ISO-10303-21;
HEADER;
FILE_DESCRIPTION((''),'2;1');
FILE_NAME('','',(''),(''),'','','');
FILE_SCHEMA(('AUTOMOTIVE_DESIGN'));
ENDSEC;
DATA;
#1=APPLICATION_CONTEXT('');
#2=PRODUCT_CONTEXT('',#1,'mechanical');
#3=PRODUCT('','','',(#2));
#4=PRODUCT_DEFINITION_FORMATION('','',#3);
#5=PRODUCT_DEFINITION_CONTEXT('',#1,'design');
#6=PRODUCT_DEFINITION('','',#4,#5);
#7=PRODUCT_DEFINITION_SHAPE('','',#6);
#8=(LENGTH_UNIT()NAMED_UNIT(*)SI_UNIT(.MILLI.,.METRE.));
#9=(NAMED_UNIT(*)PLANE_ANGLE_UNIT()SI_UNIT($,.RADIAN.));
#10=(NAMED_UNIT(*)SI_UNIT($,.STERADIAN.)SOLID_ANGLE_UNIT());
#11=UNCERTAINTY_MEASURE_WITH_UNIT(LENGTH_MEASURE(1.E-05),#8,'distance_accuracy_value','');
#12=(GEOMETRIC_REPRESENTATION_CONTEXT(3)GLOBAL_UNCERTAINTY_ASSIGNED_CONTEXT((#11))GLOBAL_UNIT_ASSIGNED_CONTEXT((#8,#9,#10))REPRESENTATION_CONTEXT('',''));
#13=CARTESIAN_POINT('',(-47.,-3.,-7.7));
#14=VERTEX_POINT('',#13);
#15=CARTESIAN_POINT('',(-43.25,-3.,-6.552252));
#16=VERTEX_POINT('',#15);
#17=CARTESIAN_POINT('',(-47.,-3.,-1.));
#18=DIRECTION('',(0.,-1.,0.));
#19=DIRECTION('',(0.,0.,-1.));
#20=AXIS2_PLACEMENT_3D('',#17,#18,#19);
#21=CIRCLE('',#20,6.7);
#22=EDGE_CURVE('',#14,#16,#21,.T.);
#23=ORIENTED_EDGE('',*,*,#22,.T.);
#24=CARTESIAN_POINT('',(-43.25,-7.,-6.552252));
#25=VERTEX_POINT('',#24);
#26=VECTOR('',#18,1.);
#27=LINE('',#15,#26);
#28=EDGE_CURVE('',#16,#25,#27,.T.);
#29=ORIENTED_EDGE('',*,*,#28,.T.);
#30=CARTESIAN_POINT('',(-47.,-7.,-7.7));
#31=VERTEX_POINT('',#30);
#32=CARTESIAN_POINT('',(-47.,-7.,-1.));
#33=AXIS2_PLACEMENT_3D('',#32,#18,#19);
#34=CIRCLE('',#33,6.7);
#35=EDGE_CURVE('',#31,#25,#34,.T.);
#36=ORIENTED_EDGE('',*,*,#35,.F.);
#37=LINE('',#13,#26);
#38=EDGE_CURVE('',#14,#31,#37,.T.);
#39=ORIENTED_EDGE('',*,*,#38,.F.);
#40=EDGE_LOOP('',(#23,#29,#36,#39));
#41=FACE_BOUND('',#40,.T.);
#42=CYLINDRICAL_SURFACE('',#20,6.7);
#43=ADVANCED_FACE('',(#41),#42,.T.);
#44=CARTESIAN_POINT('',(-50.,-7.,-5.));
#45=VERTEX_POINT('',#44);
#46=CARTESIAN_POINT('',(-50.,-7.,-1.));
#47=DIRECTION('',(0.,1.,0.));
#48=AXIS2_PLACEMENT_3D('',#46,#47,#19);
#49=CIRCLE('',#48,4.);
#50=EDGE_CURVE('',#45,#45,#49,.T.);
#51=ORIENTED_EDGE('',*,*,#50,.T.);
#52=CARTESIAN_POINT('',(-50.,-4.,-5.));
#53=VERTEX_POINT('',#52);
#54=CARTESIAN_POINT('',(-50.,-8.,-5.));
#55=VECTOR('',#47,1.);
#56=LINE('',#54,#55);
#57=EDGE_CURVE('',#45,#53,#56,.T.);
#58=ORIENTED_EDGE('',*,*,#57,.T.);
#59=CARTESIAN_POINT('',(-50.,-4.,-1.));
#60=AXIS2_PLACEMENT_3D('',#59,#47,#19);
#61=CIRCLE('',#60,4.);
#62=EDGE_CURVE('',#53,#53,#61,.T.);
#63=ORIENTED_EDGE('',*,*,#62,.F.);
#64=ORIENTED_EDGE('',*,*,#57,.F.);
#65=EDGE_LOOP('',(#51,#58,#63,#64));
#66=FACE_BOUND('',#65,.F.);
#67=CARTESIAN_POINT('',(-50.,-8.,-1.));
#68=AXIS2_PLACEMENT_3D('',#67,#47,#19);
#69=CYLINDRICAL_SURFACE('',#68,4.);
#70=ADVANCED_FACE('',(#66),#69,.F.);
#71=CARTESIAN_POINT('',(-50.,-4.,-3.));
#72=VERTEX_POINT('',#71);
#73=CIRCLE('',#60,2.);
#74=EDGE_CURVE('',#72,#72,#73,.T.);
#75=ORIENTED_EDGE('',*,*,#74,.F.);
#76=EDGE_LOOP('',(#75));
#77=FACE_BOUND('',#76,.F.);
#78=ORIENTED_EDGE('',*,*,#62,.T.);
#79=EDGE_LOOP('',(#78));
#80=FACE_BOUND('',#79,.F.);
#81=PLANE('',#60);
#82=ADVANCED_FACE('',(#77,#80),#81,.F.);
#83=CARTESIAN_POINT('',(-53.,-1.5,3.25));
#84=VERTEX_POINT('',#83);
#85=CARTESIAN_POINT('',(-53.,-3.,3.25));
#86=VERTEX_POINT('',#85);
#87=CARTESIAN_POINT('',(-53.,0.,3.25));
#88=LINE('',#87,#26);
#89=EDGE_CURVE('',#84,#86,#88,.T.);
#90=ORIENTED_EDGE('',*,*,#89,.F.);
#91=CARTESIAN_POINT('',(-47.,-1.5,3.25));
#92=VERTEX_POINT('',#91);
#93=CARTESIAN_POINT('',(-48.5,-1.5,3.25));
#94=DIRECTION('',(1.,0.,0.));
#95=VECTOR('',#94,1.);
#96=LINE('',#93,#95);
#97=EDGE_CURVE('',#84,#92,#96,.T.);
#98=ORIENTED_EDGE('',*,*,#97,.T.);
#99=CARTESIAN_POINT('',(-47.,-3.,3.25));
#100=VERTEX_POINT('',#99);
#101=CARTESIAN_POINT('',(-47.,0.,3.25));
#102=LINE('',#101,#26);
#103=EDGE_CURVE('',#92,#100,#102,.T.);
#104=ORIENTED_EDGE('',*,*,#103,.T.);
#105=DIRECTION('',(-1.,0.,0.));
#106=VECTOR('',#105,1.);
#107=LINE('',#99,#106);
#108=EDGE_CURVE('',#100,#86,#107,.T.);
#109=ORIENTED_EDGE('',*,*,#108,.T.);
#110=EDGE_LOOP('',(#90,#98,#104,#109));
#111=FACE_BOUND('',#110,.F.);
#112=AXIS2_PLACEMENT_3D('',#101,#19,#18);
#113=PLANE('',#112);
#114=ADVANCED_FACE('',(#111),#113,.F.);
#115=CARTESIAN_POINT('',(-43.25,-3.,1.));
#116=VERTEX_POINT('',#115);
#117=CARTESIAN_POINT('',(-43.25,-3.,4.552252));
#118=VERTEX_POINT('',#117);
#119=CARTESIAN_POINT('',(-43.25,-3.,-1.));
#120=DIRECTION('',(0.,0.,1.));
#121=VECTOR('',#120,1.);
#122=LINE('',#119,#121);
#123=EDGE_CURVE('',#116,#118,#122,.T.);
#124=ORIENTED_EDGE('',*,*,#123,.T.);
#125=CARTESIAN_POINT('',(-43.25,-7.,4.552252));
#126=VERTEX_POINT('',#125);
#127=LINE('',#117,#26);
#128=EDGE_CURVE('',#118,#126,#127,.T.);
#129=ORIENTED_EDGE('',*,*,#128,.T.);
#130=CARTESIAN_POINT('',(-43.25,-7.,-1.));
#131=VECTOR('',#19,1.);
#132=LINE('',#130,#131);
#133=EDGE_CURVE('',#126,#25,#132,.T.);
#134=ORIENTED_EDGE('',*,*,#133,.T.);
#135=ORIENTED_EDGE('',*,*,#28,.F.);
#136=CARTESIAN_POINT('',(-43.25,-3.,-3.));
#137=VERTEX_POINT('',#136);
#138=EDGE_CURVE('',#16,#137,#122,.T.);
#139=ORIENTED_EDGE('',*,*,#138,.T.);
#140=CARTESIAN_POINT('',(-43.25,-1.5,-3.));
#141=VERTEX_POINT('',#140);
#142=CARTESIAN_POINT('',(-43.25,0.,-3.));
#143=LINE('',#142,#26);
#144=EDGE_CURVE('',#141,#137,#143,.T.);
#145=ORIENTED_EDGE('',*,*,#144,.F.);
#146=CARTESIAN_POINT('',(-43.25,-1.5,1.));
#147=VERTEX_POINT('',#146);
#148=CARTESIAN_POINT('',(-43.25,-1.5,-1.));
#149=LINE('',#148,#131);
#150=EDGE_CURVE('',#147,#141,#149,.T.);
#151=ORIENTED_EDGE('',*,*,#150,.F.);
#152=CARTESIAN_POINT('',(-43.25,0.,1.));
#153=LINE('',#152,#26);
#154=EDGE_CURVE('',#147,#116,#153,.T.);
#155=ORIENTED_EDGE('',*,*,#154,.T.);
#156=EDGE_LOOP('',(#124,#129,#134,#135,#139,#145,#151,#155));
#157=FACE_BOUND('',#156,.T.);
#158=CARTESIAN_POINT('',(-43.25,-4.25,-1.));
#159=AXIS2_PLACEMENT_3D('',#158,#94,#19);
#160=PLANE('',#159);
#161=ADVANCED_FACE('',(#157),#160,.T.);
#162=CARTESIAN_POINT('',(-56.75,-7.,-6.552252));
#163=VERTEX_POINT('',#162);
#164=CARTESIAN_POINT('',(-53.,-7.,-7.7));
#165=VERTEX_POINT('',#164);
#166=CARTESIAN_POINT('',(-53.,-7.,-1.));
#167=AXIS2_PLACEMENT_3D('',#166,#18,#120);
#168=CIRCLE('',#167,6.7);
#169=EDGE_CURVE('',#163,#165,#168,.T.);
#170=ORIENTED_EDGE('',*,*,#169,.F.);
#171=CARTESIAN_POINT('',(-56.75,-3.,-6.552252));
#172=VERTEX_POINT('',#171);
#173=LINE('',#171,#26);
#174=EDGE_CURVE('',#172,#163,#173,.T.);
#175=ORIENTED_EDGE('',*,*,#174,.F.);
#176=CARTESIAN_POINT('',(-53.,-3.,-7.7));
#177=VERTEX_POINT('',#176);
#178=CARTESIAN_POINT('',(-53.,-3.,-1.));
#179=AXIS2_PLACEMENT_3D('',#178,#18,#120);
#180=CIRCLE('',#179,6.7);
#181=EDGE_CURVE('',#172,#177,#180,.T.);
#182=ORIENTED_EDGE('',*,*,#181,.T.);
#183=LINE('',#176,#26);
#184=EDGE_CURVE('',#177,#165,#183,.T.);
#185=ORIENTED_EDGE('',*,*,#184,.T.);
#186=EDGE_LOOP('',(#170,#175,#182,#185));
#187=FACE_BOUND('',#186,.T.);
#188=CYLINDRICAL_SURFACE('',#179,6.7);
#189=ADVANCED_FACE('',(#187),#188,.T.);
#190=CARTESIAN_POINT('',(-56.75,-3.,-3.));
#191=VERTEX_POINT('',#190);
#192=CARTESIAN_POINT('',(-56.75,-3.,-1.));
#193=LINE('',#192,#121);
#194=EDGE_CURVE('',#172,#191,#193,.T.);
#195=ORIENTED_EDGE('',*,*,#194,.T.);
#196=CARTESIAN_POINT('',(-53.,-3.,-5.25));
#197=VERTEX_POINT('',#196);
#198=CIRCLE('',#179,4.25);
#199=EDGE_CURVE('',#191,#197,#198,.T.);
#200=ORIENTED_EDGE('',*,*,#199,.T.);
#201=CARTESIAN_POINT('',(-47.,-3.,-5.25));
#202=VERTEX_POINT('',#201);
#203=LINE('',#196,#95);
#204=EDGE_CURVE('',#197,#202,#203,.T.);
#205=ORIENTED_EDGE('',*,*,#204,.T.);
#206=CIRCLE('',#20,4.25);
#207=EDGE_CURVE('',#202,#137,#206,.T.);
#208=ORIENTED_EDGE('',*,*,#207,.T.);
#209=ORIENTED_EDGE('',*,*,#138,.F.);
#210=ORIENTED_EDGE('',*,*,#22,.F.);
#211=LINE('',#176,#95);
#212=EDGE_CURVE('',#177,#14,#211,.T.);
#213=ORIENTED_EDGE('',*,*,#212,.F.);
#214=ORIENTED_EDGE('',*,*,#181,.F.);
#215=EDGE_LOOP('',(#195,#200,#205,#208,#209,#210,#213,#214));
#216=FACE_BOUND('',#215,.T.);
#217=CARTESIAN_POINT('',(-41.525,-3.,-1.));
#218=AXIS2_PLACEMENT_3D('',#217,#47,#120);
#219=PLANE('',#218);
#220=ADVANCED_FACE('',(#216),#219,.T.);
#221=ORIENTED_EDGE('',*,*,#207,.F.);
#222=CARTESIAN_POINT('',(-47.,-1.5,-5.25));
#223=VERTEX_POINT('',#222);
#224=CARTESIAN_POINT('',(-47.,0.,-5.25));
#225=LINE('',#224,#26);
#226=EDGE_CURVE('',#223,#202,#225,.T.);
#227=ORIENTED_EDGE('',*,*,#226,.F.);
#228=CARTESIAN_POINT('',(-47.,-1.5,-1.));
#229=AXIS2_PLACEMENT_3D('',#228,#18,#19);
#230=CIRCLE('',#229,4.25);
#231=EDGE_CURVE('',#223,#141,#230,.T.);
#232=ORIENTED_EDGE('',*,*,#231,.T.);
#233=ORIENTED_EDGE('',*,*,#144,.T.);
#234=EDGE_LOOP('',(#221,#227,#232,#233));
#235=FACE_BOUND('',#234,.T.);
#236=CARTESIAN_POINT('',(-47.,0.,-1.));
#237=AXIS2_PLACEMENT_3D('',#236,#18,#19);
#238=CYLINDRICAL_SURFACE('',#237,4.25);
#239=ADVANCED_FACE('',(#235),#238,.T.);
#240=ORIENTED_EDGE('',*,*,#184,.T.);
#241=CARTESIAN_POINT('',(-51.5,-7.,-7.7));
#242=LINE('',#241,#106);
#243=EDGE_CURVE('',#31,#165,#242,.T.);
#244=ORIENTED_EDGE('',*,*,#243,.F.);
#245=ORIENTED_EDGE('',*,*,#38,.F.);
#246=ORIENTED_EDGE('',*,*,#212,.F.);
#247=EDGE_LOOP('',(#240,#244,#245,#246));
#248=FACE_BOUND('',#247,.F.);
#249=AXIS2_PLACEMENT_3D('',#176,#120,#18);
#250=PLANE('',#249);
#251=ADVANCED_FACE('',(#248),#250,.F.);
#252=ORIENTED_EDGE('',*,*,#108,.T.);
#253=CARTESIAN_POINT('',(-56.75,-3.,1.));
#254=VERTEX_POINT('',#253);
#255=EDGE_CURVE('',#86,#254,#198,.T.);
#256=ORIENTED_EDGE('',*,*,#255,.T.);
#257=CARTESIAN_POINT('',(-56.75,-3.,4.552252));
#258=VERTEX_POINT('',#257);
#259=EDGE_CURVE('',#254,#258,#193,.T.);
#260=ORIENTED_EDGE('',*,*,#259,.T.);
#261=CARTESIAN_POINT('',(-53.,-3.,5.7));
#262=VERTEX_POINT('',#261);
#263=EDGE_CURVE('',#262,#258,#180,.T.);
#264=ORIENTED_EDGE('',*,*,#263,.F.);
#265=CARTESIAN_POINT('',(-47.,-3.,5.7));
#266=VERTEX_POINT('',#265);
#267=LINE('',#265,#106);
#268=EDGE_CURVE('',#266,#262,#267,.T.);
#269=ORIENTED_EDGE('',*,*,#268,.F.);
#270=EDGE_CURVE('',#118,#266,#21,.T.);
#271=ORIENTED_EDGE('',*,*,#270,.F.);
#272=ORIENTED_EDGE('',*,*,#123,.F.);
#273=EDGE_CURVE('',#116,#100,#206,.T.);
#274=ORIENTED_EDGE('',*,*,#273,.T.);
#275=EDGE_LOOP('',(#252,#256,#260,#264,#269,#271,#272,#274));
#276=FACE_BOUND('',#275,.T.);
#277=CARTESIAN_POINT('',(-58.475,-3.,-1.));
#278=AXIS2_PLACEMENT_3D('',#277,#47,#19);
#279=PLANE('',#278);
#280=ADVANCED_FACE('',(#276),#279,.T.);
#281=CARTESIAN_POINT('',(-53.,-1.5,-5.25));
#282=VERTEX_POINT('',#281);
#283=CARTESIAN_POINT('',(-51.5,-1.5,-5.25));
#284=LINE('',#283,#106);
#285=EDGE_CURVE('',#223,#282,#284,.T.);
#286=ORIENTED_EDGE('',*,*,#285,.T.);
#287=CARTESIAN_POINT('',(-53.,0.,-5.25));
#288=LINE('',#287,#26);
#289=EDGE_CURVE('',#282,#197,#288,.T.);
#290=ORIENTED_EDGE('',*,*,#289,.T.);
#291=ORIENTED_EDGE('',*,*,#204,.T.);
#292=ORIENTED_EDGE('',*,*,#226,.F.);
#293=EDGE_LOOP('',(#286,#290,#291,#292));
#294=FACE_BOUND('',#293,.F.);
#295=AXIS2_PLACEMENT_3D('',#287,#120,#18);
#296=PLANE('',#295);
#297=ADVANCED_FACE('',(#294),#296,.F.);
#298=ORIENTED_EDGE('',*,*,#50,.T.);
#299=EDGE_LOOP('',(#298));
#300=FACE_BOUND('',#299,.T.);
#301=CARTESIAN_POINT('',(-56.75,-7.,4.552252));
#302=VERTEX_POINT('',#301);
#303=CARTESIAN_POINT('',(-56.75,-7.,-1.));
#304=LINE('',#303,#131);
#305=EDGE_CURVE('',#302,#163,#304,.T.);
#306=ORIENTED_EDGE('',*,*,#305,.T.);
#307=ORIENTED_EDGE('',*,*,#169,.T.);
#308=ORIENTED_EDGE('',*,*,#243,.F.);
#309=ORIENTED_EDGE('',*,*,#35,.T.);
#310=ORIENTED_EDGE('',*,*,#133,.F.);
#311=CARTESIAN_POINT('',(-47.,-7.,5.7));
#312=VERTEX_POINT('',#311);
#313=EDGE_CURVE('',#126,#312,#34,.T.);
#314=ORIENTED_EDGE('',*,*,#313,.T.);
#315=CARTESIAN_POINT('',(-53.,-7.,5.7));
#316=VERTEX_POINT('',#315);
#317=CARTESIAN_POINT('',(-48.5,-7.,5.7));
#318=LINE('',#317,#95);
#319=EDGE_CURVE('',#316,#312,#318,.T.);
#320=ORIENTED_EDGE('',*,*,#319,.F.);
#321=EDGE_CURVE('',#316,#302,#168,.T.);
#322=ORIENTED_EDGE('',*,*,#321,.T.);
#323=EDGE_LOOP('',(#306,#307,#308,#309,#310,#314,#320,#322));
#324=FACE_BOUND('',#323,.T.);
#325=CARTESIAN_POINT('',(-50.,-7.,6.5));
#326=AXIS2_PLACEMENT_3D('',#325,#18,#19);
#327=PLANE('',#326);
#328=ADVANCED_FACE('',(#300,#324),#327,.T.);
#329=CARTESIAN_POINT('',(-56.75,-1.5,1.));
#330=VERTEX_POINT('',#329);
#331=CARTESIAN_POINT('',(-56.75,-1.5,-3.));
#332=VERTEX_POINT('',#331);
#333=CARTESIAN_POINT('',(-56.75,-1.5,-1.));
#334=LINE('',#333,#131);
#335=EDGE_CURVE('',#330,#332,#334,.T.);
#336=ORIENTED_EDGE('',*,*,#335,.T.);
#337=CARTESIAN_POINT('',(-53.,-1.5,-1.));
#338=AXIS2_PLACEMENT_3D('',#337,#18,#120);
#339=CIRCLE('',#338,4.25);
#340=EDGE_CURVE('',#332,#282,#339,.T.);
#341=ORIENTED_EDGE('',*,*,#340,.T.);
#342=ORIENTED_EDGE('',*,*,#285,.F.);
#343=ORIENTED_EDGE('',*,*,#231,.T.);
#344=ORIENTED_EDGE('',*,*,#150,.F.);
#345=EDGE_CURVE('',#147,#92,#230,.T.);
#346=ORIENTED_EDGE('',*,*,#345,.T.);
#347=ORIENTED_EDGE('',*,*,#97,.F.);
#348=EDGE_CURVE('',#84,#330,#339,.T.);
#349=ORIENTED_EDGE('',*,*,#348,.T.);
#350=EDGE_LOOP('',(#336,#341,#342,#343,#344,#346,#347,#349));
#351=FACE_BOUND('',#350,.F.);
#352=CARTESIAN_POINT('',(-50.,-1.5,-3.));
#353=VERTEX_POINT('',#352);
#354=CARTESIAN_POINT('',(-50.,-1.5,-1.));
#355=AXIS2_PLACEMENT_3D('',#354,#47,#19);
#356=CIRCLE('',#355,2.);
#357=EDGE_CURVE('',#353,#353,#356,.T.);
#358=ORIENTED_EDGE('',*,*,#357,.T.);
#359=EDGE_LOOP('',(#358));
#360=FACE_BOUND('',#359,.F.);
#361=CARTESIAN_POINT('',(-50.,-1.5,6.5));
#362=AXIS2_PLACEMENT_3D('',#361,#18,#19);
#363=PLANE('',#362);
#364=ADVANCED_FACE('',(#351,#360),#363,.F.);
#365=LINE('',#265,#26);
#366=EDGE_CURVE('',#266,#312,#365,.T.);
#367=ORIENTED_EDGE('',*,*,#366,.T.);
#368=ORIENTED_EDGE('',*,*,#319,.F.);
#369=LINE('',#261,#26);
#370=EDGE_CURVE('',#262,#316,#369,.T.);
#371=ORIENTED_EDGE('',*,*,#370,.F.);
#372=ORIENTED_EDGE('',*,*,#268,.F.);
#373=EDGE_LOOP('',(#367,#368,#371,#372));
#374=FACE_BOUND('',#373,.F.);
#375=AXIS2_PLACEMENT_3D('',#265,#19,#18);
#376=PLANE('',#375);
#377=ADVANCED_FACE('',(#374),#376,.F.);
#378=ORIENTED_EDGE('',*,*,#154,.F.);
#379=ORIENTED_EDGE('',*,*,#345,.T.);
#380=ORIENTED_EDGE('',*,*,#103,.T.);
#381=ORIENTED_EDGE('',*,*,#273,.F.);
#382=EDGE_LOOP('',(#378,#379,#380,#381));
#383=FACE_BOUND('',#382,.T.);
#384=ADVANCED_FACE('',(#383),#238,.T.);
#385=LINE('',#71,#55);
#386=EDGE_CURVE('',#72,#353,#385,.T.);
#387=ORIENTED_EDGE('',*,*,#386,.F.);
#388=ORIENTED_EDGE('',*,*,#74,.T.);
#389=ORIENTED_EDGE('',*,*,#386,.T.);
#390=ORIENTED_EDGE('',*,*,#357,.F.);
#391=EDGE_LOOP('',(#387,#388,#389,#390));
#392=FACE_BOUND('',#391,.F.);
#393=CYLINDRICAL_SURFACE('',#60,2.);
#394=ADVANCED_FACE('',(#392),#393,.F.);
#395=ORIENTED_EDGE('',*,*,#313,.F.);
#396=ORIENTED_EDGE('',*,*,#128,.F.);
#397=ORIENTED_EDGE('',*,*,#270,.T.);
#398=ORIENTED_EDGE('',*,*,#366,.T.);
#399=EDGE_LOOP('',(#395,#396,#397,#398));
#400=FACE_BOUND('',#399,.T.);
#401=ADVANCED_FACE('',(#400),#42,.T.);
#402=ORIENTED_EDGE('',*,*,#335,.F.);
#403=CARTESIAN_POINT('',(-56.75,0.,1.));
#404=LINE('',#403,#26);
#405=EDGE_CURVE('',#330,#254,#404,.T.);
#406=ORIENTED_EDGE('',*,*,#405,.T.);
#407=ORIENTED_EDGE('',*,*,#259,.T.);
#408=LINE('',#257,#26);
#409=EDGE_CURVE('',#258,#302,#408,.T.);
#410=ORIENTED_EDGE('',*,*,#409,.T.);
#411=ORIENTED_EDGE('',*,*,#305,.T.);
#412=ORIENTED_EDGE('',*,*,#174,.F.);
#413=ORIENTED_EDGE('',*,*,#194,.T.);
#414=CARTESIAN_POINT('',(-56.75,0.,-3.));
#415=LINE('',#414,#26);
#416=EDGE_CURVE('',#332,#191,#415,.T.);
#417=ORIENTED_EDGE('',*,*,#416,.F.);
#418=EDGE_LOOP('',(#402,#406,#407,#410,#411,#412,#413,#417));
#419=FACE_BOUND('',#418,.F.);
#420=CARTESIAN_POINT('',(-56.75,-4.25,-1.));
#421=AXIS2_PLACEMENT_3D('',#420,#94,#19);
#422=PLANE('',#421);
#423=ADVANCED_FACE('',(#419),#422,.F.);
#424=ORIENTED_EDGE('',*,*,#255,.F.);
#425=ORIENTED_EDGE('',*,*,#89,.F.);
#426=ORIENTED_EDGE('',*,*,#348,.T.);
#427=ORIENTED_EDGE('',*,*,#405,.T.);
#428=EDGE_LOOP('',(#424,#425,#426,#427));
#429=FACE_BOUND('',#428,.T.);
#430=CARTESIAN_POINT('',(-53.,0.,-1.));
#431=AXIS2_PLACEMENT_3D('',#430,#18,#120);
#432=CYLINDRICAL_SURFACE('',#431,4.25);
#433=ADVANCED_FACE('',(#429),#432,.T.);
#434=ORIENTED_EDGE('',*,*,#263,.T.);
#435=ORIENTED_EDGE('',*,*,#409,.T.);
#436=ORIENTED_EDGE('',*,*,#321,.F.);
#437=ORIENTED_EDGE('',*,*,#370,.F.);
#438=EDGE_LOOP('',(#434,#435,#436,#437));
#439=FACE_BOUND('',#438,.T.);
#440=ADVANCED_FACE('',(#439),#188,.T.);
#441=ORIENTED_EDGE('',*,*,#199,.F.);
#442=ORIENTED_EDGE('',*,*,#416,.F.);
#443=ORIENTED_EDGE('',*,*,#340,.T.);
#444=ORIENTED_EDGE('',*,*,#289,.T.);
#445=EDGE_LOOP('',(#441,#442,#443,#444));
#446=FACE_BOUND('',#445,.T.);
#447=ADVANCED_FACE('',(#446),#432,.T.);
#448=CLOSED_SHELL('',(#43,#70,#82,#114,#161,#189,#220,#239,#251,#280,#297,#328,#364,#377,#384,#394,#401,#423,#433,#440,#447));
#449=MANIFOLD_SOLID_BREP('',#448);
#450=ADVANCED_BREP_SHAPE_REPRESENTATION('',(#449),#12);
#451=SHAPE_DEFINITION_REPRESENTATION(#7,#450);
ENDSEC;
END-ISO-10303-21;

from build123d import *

# Parameters (mm, degrees)
SKETCH144_W             = 15
SKETCH144_H             = 5.5
PAD031_DEPTH            = 6.75
BODY058_PLACEMENT_ANGLE = 90


with BuildPart() as part:
    # Sketch144 → Pad031 (new body, symmetric)
    with BuildSketch(Plane.XY):
        with Locations((0, -4.25)):
            Rectangle(SKETCH144_W, SKETCH144_H)
    extrude(amount=PAD031_DEPTH, both=True)

    # Sketch145 → Groove005 (revolve, cut)
    with BuildSketch(Plane.XY):
        Polygon((0, 0), (0, -8), (4, -8), (4, -4), (2, -4), (2, 0), align=None)
    revolve(axis=Axis((0, 0, 0), (0, 1, 0)), mode=Mode.SUBTRACT)

    # SubtractivePipe006002: sweep along a path in Sketch146
    with BuildLine(Plane.XZ) as subtractivepipe006002_path:
        ThreePointArc((6.75, 3), (0, 9.75), (-6.75, 3))
        Line((-6.75, 3), (-6.75, -3))
        ThreePointArc((-6.75, -3), (0, -9.75), (6.75, -3))
        Line((6.75, -3), (6.75, 3))
    # Sketch147 → SubtractivePipe006002 (sweep, cut)
    with BuildSketch(Plane.XY):
        Polygon((4.25, 0), (4.25, -3), (6.7, -3), (6.7, -8), (10, -8), (10, 0), align=None)
    sweep(path=subtractivepipe006002_path.line, mode=Mode.SUBTRACT)


with BuildPart() as part_1:
    # Body058 placement: moved
    add(part.part.moved(Location((-50, 0, -1))).rotate(Axis((-50, 0, -1), (0, 1, 0)), BODY058_PLACEMENT_ANGLE))


solid = part_1.part
